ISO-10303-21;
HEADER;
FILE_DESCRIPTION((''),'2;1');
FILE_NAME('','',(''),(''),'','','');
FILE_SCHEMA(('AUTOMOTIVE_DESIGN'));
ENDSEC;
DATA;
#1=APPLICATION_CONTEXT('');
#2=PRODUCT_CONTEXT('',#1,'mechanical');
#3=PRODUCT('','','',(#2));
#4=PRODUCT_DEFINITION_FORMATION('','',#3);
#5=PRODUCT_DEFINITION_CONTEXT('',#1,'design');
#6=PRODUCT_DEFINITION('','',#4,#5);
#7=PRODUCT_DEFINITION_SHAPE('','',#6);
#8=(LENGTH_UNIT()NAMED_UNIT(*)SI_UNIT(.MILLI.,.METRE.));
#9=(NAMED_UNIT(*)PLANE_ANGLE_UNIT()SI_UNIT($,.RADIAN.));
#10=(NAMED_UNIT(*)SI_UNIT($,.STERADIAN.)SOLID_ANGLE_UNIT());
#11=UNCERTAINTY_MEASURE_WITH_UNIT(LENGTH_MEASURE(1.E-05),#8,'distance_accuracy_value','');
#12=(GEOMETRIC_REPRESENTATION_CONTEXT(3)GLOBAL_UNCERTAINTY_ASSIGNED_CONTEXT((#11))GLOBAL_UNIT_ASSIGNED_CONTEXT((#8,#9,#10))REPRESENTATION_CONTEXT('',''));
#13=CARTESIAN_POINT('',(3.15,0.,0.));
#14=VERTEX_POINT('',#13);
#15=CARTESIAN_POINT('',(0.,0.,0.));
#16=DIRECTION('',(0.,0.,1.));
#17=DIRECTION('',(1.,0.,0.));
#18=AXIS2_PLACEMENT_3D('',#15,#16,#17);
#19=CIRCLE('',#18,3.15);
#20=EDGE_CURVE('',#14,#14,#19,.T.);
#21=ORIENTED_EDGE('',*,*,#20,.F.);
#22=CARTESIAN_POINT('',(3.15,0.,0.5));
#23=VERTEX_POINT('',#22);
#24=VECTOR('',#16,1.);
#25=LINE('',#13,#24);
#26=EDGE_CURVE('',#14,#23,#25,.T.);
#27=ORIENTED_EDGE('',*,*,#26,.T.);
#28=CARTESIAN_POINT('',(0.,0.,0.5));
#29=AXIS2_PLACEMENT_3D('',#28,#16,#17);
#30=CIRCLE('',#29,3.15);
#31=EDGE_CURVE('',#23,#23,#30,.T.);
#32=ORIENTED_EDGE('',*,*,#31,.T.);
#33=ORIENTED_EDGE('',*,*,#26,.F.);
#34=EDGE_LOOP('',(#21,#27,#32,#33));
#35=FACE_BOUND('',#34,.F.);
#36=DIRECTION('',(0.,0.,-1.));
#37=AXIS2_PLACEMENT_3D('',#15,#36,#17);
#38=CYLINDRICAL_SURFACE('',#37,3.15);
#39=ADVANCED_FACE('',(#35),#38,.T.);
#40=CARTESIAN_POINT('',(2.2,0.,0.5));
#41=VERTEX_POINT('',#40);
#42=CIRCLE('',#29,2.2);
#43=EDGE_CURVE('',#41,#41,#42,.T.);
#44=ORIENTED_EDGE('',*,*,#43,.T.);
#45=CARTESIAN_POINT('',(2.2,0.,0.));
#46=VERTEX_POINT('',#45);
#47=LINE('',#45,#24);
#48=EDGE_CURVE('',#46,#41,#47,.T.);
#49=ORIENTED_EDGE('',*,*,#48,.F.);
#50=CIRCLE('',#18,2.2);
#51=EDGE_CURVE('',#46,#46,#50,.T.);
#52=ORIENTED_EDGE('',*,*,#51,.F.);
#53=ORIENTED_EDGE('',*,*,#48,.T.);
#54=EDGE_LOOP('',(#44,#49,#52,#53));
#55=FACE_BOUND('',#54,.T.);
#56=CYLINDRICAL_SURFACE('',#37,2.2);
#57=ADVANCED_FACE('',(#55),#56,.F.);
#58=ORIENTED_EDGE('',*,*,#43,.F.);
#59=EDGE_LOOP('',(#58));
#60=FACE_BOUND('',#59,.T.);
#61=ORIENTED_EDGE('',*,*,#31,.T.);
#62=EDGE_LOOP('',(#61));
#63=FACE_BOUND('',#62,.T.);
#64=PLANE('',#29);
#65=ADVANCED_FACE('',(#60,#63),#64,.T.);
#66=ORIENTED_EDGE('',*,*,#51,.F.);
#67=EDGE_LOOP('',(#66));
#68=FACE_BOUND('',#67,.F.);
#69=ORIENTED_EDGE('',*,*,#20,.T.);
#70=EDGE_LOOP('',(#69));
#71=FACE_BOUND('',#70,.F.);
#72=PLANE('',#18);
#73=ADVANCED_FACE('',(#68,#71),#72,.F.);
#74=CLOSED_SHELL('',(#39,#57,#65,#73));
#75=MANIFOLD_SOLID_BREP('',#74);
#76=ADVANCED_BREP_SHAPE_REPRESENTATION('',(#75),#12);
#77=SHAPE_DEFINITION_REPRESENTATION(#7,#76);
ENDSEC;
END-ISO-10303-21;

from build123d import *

# Parameters (mm, degrees)
CYLINDER022_R     = 2.2
CYLINDER022_DEPTH = 0.5
CYLINDER021_R     = 3.15
CYLINDER021_DEPTH = 0.5


with BuildPart() as cylinder022:
    # Cylinder022 → Cylinder022 (new body)
    with BuildSketch(Plane.XY):
        Circle(CYLINDER022_R)
    extrude(amount=CYLINDER022_DEPTH)


with BuildPart() as f_0p5_spacer:
    # Cylinder021 → Cylinder021 (new body)
    with BuildSketch(Plane.XY):
        Circle(CYLINDER021_R)
    extrude(amount=CYLINDER021_DEPTH)

    # Cut001021: cut Cylinder022
    add(cylinder022.part, mode=Mode.SUBTRACT)


solid = f_0p5_spacer.part
